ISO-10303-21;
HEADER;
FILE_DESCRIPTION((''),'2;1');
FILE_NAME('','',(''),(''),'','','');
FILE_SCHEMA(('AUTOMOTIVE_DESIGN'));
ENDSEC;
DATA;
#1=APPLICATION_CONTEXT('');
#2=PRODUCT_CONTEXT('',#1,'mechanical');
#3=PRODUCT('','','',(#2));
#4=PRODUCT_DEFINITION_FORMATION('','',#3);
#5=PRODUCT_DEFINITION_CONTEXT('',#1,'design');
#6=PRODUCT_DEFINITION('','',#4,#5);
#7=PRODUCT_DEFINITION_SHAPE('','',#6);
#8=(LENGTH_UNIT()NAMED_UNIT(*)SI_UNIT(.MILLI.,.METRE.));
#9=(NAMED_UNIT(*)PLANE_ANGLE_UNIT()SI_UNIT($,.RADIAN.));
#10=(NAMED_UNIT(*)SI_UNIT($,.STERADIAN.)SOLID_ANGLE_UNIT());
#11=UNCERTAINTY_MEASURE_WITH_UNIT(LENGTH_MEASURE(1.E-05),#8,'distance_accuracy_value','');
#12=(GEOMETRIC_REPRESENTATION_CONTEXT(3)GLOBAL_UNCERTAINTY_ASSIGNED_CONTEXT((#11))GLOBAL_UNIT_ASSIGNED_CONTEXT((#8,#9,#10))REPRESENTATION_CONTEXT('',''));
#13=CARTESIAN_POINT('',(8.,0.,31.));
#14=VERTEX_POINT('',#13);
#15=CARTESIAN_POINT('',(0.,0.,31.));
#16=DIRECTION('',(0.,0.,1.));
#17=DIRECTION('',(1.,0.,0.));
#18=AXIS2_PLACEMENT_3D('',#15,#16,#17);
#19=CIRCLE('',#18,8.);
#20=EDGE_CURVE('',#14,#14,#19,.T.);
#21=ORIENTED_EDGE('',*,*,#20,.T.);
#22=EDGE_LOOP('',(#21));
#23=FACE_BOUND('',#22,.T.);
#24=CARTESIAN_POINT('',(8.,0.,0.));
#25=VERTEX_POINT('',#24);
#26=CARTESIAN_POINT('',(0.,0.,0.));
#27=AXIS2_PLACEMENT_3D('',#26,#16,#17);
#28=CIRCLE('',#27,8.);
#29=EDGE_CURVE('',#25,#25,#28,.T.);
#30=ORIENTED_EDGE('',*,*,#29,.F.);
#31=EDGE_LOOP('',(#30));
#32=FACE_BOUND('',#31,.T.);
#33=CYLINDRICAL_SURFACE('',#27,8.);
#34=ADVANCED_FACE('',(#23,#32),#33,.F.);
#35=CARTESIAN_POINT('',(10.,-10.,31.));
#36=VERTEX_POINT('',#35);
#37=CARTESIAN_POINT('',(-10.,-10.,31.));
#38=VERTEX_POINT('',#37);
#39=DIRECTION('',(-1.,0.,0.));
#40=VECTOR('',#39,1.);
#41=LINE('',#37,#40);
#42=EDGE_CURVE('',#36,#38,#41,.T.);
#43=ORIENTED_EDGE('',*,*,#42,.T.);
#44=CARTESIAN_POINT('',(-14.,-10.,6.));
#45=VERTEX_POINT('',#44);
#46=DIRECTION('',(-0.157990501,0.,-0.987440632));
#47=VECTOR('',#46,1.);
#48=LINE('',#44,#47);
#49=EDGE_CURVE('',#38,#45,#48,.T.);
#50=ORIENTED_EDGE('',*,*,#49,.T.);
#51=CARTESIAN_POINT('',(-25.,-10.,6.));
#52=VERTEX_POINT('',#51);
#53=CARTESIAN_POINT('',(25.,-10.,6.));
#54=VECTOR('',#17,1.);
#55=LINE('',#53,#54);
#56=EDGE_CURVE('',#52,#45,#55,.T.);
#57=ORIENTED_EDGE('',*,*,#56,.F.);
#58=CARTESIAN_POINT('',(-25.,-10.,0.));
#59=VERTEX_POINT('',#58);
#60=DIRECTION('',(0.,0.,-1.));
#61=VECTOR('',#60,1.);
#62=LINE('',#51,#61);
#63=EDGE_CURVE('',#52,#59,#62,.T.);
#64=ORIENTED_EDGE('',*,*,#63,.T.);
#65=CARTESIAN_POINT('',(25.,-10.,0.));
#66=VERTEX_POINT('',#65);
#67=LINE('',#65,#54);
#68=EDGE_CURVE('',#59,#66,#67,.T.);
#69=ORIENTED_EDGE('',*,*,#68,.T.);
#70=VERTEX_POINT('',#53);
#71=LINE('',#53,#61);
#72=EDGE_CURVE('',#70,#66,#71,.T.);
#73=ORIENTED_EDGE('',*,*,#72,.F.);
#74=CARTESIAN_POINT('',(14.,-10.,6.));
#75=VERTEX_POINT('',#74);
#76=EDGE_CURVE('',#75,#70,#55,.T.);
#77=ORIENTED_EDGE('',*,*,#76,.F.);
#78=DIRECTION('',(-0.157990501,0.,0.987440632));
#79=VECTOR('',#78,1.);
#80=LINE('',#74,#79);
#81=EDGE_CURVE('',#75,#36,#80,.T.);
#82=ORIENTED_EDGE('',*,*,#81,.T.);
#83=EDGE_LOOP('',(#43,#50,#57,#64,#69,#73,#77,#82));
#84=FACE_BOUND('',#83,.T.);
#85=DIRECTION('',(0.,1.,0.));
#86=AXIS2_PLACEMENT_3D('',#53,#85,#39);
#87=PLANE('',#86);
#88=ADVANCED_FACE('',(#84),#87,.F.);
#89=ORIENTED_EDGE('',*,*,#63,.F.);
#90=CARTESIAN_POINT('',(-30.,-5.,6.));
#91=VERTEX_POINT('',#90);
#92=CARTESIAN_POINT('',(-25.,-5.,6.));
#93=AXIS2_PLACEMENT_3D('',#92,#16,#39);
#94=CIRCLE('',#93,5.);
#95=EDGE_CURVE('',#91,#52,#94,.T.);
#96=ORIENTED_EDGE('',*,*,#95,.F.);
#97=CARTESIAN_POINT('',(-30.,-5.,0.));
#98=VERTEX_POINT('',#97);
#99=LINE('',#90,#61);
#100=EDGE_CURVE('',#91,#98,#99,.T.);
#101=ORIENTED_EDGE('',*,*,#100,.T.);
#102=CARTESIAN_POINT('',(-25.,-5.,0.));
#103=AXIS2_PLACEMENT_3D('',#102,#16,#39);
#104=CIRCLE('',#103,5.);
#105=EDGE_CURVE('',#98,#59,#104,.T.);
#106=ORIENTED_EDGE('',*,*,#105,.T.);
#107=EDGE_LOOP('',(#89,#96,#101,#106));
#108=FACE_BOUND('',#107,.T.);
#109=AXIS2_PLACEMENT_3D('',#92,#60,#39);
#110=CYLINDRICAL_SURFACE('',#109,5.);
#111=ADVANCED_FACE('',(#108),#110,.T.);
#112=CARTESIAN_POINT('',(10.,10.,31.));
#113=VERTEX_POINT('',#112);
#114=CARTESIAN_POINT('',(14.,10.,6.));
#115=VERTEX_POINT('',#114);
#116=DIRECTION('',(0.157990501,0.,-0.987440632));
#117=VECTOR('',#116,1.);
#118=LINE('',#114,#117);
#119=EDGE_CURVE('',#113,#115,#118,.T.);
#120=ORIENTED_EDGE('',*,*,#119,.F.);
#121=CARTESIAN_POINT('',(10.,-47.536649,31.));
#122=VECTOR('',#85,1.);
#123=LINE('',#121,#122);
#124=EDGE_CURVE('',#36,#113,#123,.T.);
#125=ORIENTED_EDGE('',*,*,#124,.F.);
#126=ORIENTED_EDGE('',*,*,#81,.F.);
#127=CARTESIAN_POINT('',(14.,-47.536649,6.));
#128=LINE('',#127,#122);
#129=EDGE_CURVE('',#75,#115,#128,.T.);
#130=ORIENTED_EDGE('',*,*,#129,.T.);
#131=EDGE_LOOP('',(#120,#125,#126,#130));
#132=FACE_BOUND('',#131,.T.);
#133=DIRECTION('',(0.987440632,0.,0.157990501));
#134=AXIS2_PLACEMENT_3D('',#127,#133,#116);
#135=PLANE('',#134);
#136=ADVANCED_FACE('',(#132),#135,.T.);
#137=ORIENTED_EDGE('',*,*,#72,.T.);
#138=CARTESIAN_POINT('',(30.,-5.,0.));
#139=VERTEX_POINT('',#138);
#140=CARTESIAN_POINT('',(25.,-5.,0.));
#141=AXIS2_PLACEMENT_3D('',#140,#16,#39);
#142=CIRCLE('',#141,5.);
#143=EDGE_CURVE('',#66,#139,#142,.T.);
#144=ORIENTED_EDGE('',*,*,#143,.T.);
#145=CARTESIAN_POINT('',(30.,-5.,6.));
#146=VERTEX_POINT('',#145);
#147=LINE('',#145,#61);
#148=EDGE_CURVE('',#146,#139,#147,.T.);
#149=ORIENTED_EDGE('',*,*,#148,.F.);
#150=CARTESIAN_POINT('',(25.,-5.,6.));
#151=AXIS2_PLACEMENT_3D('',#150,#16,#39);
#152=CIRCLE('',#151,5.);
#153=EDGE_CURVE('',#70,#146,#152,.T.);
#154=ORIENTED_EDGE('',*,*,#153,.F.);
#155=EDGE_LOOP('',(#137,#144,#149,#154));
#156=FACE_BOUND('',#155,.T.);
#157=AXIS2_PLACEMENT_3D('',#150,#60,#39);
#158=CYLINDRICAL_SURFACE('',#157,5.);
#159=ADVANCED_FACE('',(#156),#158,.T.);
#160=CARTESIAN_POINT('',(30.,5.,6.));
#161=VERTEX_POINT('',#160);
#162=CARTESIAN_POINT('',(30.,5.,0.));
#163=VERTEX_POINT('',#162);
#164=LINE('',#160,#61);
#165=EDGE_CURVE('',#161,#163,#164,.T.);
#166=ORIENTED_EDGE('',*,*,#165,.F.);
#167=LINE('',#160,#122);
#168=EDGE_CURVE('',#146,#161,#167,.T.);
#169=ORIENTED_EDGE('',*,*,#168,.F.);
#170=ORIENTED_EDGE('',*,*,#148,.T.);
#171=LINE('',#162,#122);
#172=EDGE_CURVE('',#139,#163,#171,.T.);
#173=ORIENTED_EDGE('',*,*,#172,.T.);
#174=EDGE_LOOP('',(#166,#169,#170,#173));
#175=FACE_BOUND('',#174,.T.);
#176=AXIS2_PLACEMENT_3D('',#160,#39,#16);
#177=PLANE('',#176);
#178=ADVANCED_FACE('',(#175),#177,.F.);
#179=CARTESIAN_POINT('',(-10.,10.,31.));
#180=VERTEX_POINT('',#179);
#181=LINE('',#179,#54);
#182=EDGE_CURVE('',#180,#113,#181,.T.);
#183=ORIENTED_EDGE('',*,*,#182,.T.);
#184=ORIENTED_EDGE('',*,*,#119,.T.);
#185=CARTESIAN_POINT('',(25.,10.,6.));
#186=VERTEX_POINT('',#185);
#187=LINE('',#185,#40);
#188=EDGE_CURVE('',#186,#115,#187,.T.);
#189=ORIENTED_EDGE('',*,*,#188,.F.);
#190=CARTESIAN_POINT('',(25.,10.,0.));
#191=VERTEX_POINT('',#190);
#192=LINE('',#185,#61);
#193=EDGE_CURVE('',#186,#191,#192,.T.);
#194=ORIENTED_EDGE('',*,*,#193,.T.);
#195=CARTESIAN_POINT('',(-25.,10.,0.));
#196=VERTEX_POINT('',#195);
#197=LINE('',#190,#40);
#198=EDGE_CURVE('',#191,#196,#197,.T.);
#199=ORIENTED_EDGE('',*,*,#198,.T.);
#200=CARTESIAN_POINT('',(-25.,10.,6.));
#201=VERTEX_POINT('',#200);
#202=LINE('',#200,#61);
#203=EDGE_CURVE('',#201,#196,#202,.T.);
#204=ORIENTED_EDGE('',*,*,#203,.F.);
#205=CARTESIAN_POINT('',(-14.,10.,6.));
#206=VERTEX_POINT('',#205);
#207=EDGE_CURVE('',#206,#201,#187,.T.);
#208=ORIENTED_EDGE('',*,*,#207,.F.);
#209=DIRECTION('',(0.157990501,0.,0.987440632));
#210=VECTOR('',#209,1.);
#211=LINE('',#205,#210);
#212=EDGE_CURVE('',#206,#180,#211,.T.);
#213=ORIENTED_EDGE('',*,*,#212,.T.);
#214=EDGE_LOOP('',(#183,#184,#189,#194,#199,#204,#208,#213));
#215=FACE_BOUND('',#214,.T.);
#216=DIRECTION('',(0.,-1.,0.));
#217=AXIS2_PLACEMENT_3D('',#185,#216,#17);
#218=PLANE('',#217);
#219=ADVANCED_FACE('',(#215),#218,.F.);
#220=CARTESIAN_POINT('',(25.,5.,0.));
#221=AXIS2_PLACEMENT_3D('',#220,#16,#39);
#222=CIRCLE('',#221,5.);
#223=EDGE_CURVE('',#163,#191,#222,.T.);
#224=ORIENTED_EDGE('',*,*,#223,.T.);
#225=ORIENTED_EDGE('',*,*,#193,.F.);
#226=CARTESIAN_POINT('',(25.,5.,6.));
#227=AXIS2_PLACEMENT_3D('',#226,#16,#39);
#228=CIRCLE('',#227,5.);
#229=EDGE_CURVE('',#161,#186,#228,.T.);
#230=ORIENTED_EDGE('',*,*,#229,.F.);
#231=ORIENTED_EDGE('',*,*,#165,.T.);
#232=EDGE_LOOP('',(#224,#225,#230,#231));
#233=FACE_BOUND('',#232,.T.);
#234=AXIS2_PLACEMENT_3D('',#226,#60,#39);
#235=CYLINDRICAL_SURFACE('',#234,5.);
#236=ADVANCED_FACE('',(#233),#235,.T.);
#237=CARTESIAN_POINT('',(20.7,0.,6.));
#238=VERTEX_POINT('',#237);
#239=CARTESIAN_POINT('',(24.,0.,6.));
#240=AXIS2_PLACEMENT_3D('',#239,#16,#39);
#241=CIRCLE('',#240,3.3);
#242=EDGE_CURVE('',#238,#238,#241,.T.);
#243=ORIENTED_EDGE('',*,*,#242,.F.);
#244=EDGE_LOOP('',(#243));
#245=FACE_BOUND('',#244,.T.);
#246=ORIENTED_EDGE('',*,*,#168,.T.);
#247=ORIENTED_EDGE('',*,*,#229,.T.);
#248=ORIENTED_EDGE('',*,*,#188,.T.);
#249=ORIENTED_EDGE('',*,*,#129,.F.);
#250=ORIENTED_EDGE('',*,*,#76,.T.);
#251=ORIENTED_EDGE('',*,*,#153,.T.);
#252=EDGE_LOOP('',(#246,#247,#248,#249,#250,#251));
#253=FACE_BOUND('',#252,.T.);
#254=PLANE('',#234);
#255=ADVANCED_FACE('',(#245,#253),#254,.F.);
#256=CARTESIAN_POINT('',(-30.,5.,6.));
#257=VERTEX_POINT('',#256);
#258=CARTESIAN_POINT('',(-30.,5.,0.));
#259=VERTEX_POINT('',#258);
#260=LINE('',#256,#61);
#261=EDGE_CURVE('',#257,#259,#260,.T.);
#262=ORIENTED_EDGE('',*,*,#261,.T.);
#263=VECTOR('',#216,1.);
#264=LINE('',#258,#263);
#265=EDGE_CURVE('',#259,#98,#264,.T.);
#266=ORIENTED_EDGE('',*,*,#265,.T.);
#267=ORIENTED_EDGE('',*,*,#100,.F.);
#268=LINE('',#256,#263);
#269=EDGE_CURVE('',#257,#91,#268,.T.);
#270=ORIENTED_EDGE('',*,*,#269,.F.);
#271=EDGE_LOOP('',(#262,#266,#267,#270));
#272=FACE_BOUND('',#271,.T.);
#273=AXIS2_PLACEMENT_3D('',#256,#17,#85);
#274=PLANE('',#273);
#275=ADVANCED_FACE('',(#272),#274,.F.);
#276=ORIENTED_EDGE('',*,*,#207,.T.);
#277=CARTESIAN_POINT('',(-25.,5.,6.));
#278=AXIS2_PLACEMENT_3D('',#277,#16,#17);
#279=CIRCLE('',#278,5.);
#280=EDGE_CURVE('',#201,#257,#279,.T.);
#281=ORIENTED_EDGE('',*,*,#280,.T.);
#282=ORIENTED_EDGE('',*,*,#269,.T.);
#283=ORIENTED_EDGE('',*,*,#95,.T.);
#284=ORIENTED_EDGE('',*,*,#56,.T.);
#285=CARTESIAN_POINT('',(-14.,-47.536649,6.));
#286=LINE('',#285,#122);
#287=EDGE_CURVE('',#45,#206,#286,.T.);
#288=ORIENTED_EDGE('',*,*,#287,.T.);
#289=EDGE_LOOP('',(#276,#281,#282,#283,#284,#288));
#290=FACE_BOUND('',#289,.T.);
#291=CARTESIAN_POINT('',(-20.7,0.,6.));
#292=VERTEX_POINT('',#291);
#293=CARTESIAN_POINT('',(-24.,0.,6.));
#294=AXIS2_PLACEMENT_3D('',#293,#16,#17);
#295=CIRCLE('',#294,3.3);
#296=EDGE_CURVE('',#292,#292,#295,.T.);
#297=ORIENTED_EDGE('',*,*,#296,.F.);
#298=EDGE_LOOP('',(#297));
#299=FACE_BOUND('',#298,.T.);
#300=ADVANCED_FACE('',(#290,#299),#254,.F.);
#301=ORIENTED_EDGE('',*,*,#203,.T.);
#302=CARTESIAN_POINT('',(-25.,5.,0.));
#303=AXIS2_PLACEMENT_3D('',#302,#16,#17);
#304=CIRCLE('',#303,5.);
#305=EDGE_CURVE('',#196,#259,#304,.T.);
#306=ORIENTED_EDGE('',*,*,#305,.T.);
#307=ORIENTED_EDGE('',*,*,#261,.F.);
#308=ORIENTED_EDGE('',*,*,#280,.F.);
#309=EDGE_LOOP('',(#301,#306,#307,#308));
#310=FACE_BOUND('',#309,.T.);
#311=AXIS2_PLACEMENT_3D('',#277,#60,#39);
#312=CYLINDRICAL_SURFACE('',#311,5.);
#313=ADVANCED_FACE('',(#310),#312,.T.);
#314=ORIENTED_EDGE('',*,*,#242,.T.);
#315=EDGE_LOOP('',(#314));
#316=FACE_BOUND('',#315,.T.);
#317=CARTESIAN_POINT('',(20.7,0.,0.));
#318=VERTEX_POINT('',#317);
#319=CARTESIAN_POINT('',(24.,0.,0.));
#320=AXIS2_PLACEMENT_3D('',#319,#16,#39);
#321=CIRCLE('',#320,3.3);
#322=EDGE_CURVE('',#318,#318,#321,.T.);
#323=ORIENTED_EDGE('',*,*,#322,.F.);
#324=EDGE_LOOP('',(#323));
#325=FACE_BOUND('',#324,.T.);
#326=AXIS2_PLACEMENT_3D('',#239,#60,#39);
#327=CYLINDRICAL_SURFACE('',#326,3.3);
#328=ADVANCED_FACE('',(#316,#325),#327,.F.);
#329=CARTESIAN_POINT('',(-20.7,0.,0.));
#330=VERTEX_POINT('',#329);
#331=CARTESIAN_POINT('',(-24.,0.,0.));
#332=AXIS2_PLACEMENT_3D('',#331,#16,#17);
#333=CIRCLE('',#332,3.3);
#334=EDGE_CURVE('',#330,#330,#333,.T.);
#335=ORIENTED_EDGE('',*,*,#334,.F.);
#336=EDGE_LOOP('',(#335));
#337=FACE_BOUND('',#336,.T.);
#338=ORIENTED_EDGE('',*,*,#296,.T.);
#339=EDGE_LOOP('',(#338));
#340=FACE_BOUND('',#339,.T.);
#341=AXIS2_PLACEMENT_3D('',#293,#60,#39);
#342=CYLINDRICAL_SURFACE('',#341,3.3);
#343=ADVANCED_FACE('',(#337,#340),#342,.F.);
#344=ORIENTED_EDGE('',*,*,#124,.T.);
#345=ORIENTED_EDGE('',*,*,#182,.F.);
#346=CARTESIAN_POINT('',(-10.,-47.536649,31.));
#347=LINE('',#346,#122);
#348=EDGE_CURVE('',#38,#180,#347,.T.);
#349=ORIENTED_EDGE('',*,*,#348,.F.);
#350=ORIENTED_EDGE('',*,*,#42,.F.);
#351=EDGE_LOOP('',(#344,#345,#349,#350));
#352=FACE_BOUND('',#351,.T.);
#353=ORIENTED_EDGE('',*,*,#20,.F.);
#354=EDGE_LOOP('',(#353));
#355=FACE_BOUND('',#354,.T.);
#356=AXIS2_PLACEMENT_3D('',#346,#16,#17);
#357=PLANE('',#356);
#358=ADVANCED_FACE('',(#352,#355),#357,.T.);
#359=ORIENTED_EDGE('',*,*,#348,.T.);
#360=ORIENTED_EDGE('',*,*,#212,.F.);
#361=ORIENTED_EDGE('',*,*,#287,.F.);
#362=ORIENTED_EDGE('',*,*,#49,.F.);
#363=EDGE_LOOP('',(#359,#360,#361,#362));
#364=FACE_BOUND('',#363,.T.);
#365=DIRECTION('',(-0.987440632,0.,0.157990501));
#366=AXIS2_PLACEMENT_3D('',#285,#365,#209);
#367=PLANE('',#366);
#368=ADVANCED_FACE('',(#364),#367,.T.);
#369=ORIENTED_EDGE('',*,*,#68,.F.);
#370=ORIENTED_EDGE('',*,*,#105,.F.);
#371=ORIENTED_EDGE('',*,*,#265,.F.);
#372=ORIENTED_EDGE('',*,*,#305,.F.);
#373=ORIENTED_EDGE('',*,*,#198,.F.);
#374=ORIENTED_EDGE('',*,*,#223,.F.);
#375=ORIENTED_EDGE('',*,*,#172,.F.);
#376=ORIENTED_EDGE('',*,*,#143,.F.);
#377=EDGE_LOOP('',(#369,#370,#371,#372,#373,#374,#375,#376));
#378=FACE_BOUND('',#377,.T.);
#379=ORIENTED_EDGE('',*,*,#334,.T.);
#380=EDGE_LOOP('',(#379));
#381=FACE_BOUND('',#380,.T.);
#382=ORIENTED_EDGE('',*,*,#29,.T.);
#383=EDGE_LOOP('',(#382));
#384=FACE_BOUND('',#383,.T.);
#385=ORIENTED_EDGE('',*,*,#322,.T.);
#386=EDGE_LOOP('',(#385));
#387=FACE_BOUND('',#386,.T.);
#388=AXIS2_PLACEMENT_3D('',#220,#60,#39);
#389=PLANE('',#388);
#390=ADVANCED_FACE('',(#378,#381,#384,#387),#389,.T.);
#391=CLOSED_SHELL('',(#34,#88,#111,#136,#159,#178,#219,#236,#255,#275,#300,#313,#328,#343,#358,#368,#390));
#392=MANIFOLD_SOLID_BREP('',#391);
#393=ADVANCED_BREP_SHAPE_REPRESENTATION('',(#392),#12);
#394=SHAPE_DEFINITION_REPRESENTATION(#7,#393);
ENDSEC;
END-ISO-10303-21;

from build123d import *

# Parameters (mm, degrees)
SKETCH_1_R          = 3.3
EXTRUDE_1_DEPTH     = 6
EXTRUDE_3_DEPTH     = 20
SKETCH_3_R          = 8
CUT_EXTRUDE_1_DEPTH = 32


with BuildPart() as part:
    # 草图1 → 凸台-拉伸1 (new body)
    with BuildSketch(Plane.XY):
        with BuildLine():
            Line((25, 10), (-25, 10))
            ThreePointArc((-25, 10), (-28.535533906, 8.535533906), (-30, 5))
            Line((-30, 5), (-30, -5))
            ThreePointArc((-30, -5), (-28.535533906, -8.535533906), (-25, -10))
            Line((-25, -10), (25, -10))
            ThreePointArc((25, -10), (28.535533906, -8.535533906), (30, -5))
            Line((30, -5), (30, 5))
            ThreePointArc((30, 5), (28.535533906, 8.535533906), (25, 10))
        make_face()
        with Locations((-24, 0)):
            Circle(SKETCH_1_R, mode=Mode.SUBTRACT)
        with Locations((24, 0)):
            Circle(SKETCH_1_R, mode=Mode.SUBTRACT)
    extrude(amount=EXTRUDE_1_DEPTH)

    # 草图2 → 凸台-拉伸3 (add)
    with BuildSketch(Plane(origin=(0, 10, 0), x_dir=(1, 0, 0), z_dir=(0, 1, 0))):
        Polygon((14, -6), (-14, -6), (-10, -31), (10, -31), align=None)
    extrude(amount=-EXTRUDE_3_DEPTH)

    # 草图3 → 切除-拉伸1 (cut, through all)
    with BuildSketch(Plane.XY.offset(31)):
        Circle(SKETCH_3_R)
    extrude(amount=-CUT_EXTRUDE_1_DEPTH, mode=Mode.SUBTRACT)


solid = part.part
